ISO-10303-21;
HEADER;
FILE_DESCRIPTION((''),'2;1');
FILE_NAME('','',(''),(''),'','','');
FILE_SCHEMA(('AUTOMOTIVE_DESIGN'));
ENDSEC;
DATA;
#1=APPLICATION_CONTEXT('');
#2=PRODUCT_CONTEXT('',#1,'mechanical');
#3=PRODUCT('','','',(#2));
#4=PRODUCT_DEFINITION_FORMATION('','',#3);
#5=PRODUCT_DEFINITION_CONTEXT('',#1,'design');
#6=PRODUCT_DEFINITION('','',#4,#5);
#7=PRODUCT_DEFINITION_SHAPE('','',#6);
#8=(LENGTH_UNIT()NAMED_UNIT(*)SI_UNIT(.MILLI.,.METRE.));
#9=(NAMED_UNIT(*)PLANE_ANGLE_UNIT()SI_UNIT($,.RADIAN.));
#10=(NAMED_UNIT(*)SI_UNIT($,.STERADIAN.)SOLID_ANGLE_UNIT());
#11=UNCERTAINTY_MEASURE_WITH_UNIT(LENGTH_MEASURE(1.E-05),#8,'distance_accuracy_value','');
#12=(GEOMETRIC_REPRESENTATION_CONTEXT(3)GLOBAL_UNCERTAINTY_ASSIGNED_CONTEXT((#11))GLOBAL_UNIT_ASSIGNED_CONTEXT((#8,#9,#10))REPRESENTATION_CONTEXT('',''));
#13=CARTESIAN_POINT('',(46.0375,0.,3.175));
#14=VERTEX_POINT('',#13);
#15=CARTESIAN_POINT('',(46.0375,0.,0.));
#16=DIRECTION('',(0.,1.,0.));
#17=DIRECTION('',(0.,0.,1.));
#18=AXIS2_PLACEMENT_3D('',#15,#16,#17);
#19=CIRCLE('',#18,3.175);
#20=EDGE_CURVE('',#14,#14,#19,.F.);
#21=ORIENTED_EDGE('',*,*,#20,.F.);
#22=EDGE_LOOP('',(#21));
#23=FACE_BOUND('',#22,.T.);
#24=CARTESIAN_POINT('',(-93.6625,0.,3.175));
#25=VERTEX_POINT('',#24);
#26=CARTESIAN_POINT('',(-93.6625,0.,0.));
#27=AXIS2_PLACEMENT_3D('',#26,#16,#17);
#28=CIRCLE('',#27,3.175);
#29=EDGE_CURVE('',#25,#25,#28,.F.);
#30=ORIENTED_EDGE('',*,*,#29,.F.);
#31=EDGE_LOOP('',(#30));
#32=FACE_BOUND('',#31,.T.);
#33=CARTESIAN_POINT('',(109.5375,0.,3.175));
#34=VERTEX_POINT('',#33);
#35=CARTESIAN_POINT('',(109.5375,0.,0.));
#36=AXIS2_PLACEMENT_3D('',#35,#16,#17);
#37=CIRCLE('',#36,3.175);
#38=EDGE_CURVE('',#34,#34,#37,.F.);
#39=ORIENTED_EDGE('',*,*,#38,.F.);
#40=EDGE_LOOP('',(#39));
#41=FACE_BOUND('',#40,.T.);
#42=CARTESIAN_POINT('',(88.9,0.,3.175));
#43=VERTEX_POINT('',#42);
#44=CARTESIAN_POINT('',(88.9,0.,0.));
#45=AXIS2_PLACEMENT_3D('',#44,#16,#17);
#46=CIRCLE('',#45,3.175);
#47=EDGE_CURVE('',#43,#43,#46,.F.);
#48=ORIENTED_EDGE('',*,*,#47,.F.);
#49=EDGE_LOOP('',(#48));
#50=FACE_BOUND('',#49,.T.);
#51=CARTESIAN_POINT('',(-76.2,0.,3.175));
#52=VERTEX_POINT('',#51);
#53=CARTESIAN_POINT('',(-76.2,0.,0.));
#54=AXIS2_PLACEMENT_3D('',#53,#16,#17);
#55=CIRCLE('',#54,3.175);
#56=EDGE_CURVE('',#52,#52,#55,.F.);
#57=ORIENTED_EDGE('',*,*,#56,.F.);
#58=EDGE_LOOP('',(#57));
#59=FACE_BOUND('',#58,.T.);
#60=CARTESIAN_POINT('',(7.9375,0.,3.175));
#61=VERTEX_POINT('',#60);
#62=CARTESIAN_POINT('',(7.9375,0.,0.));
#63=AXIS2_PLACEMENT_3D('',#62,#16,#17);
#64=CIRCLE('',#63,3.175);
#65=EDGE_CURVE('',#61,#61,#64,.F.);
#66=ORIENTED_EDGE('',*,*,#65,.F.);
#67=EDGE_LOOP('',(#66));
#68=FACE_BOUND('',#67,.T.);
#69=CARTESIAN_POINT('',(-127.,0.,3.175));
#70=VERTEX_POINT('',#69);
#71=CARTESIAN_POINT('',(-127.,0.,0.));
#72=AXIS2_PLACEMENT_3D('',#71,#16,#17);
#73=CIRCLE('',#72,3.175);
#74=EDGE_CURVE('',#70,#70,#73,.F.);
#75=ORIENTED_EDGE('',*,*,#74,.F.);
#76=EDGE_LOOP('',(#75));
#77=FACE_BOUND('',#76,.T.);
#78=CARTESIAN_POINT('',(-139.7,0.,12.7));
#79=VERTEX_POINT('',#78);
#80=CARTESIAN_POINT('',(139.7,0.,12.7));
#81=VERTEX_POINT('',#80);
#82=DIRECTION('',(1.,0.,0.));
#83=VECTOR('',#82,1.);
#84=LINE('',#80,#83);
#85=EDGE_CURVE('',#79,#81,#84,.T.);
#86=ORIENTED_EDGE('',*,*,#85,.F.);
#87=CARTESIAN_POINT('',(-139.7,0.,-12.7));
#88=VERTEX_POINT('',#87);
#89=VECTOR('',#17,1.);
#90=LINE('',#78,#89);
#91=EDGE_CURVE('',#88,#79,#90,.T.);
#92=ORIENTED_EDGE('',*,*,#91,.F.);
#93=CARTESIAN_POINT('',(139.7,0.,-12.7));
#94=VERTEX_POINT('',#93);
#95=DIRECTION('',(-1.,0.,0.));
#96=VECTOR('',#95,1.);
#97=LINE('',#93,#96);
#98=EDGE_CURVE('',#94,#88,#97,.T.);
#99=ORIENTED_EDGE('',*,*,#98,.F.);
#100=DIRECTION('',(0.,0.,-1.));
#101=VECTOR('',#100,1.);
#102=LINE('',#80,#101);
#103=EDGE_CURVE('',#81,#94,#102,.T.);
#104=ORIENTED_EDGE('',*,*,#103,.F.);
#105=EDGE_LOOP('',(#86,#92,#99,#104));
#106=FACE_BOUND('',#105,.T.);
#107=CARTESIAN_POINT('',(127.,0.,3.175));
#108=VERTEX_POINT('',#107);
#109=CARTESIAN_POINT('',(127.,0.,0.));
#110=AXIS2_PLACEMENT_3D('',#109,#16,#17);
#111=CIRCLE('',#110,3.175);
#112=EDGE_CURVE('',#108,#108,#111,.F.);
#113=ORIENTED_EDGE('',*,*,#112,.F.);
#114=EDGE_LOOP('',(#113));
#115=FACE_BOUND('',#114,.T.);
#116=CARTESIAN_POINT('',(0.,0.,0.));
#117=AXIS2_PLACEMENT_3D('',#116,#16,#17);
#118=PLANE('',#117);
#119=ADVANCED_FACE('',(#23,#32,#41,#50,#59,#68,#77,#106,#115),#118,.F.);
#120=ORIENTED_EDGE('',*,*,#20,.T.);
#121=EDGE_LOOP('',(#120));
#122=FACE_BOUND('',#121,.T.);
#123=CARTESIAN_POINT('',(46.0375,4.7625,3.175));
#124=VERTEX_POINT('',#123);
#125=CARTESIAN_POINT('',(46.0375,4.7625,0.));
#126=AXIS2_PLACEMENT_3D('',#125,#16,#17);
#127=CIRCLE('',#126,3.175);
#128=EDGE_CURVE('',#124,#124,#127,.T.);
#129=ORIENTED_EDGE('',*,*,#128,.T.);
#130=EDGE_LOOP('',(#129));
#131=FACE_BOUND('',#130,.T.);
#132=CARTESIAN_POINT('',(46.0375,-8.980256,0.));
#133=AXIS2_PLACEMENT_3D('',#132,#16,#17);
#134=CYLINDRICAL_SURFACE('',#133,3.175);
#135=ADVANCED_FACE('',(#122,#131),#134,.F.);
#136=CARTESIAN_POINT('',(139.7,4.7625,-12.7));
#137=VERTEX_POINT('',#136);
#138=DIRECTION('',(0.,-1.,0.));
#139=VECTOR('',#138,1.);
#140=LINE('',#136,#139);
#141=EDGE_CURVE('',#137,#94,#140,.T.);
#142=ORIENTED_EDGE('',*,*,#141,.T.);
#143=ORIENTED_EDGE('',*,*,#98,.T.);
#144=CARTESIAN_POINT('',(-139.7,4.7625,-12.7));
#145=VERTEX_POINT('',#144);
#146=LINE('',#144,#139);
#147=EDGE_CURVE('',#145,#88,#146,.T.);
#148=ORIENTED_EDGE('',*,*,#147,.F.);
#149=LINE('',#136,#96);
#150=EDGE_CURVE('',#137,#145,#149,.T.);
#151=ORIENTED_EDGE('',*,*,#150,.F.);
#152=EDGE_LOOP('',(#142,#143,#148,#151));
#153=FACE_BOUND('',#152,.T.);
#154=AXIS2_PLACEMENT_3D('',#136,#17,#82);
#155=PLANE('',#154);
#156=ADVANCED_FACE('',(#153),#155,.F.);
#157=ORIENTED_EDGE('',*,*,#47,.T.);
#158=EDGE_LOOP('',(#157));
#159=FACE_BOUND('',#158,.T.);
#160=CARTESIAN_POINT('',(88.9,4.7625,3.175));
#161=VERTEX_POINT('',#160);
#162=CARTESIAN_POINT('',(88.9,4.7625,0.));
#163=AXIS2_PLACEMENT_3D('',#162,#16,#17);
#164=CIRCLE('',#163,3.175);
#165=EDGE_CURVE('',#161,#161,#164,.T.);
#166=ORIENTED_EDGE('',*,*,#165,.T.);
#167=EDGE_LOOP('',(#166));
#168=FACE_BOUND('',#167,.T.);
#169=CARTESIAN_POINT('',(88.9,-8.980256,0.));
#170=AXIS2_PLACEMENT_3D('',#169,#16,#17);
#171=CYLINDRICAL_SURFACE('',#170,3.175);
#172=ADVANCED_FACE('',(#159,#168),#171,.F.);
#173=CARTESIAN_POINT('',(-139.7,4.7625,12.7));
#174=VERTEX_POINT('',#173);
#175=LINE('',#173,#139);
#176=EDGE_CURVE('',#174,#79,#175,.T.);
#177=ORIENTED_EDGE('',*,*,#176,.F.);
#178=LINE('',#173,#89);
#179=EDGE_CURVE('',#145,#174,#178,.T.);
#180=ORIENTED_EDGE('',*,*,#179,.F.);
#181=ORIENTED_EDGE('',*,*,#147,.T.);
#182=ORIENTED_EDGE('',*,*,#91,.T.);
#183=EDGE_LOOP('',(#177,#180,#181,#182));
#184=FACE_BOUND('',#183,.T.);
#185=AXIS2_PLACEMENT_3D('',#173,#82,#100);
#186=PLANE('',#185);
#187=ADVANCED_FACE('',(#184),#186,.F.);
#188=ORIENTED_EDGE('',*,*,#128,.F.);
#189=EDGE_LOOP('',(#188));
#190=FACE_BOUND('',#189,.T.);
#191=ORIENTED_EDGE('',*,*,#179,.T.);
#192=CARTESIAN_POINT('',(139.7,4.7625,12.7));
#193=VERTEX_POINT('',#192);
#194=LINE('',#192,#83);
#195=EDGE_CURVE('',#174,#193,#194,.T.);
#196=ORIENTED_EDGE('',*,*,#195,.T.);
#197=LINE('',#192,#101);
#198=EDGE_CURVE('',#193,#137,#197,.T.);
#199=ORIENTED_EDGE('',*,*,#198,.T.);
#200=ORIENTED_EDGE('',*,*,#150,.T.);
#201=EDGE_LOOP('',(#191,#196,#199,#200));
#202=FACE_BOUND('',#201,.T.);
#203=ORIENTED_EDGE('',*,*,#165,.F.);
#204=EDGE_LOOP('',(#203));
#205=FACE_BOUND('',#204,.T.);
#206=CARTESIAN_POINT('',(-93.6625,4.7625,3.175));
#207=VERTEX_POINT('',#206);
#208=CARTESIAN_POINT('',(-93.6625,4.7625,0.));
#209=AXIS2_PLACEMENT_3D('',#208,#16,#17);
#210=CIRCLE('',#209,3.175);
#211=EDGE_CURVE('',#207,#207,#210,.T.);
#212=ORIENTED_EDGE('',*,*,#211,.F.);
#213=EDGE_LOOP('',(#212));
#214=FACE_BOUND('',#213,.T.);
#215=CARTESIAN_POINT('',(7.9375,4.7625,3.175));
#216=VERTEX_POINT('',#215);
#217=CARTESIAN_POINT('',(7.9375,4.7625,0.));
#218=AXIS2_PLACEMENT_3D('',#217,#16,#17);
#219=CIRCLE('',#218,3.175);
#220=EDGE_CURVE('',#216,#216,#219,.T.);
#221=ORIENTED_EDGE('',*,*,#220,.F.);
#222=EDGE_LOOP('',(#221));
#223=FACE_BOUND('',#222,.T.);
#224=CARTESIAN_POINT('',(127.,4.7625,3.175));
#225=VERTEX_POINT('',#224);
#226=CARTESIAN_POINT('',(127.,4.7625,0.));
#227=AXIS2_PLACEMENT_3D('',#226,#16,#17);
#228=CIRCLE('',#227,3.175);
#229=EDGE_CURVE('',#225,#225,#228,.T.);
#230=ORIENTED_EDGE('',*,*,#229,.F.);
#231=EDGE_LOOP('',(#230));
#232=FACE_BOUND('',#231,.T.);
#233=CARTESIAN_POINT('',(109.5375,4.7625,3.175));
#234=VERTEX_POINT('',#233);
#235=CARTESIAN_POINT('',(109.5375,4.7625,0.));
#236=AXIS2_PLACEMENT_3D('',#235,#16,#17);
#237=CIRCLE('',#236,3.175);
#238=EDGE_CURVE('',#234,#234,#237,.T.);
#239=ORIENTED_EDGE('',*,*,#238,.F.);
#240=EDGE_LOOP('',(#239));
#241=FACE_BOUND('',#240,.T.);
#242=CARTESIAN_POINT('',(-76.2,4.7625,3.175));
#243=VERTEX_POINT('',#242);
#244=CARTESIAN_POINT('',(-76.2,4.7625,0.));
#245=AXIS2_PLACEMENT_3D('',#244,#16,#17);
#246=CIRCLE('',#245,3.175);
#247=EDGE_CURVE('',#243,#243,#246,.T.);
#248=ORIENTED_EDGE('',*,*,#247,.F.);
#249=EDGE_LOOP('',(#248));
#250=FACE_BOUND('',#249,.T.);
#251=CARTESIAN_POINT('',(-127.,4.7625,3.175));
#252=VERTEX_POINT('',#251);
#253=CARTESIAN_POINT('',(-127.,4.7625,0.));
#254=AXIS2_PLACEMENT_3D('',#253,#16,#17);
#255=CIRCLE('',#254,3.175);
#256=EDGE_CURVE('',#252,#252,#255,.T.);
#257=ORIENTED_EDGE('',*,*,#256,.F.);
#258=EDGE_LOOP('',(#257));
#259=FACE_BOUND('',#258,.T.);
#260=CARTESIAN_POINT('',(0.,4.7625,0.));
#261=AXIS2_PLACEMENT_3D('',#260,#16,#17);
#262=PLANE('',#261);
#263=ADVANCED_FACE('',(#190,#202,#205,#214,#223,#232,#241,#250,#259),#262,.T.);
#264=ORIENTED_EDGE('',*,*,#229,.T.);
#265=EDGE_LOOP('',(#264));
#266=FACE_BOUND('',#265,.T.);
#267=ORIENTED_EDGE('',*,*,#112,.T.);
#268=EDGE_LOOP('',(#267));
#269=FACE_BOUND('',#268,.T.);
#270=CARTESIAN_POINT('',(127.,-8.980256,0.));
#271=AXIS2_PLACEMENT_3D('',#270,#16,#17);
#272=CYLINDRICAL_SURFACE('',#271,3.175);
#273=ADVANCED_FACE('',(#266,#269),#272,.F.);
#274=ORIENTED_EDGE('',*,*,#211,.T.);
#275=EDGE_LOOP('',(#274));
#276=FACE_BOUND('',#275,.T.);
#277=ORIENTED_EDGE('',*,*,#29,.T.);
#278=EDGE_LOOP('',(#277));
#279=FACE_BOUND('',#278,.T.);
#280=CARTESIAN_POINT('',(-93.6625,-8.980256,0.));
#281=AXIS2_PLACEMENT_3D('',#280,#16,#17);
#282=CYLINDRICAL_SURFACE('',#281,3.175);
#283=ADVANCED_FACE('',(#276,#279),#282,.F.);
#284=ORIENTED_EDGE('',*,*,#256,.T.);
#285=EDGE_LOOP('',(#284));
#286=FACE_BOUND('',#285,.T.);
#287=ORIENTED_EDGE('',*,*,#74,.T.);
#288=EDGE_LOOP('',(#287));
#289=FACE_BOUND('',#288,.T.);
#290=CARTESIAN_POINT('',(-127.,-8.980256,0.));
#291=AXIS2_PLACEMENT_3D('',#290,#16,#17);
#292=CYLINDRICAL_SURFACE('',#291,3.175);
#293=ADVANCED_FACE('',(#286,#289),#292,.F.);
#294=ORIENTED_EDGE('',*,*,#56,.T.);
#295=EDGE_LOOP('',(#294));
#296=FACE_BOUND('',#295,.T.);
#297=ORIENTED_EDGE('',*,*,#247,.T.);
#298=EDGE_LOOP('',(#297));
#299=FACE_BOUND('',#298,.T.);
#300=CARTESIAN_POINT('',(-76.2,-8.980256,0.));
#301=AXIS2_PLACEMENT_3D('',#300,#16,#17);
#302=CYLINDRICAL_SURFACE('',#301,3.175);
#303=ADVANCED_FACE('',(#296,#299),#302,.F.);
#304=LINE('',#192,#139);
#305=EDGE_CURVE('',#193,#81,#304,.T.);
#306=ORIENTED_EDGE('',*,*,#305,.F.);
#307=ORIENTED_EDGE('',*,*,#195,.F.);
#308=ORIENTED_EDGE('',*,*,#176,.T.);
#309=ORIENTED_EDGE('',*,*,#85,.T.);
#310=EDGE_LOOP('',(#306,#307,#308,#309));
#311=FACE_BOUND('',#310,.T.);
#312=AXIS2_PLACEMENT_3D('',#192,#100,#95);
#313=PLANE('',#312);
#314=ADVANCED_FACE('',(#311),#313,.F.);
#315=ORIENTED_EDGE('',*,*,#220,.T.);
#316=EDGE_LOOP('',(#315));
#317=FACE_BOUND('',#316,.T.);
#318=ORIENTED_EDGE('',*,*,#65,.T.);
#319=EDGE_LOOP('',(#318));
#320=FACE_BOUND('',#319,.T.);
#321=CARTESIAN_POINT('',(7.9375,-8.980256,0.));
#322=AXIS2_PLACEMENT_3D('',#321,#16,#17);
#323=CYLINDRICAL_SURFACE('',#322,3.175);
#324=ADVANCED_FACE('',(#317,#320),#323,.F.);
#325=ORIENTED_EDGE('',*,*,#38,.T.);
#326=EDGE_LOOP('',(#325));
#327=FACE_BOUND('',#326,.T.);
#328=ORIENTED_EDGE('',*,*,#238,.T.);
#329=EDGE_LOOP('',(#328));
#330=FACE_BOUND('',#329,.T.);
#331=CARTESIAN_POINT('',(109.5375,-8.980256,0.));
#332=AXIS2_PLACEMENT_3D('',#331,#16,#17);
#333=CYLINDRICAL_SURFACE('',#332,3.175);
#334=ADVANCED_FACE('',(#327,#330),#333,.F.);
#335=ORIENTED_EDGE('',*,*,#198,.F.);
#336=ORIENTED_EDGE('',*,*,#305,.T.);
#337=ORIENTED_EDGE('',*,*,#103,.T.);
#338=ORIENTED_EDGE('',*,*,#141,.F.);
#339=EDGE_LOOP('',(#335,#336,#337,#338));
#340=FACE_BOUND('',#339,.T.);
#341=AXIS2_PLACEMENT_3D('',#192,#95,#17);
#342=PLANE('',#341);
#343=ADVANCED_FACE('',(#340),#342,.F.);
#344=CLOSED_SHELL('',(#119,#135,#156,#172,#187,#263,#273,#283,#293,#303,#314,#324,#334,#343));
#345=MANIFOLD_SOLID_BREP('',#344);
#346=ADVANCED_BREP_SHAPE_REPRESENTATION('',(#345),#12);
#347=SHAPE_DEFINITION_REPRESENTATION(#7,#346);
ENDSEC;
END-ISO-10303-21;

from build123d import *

# Parameters (mm, degrees)
SKETCH1_W           = 279.4
SKETCH1_H           = 25.4
BOSS_EXTRUDE1_DEPTH = 4.7625
SKETCH8_R           = 3.175
CUT_EXTRUDE6_DEPTH  = 4.7625


with BuildPart() as part:
    # Sketch1 → Boss-Extrude1 (new body)
    with BuildSketch(Plane(origin=(0, 0, 0), x_dir=(1, 0, 0), z_dir=(0, 1, 0))):
        Rectangle(SKETCH1_W, SKETCH1_H)
    extrude(amount=BOSS_EXTRUDE1_DEPTH)

    # Sketch8 → Cut-Extrude6 (cut)
    with BuildSketch(Plane(origin=(0, 4.7625, 0), x_dir=(1, 0, 0), z_dir=(0, 1, 0))):
        with Locations(Location((127, 0, 0), (0, 0, 270))):
            Circle(SKETCH8_R)
        with Locations(Location((109.5375, 0, 0), (0, 0, 270))):
            Circle(SKETCH8_R)
        with Locations(Location((88.9, 0, 0), (0, 0, 270))):
            Circle(SKETCH8_R)
        with Locations(Location((46.0375, 0, 0), (0, 0, 270))):
            Circle(SKETCH8_R)
        with Locations(Location((7.9375, 0, 0), (0, 0, 270))):
            Circle(SKETCH8_R)
        with Locations(Location((-76.2, 0, 0), (0, 0, 270))):
            Circle(SKETCH8_R)
        with Locations(Location((-127, 0, 0), (0, 0, 270))):
            Circle(SKETCH8_R)
        with Locations(Location((-93.6625, 0, 0), (0, 0, 270))):
            Circle(SKETCH8_R)
    extrude(amount=-CUT_EXTRUDE6_DEPTH, mode=Mode.SUBTRACT)


solid = part.part
